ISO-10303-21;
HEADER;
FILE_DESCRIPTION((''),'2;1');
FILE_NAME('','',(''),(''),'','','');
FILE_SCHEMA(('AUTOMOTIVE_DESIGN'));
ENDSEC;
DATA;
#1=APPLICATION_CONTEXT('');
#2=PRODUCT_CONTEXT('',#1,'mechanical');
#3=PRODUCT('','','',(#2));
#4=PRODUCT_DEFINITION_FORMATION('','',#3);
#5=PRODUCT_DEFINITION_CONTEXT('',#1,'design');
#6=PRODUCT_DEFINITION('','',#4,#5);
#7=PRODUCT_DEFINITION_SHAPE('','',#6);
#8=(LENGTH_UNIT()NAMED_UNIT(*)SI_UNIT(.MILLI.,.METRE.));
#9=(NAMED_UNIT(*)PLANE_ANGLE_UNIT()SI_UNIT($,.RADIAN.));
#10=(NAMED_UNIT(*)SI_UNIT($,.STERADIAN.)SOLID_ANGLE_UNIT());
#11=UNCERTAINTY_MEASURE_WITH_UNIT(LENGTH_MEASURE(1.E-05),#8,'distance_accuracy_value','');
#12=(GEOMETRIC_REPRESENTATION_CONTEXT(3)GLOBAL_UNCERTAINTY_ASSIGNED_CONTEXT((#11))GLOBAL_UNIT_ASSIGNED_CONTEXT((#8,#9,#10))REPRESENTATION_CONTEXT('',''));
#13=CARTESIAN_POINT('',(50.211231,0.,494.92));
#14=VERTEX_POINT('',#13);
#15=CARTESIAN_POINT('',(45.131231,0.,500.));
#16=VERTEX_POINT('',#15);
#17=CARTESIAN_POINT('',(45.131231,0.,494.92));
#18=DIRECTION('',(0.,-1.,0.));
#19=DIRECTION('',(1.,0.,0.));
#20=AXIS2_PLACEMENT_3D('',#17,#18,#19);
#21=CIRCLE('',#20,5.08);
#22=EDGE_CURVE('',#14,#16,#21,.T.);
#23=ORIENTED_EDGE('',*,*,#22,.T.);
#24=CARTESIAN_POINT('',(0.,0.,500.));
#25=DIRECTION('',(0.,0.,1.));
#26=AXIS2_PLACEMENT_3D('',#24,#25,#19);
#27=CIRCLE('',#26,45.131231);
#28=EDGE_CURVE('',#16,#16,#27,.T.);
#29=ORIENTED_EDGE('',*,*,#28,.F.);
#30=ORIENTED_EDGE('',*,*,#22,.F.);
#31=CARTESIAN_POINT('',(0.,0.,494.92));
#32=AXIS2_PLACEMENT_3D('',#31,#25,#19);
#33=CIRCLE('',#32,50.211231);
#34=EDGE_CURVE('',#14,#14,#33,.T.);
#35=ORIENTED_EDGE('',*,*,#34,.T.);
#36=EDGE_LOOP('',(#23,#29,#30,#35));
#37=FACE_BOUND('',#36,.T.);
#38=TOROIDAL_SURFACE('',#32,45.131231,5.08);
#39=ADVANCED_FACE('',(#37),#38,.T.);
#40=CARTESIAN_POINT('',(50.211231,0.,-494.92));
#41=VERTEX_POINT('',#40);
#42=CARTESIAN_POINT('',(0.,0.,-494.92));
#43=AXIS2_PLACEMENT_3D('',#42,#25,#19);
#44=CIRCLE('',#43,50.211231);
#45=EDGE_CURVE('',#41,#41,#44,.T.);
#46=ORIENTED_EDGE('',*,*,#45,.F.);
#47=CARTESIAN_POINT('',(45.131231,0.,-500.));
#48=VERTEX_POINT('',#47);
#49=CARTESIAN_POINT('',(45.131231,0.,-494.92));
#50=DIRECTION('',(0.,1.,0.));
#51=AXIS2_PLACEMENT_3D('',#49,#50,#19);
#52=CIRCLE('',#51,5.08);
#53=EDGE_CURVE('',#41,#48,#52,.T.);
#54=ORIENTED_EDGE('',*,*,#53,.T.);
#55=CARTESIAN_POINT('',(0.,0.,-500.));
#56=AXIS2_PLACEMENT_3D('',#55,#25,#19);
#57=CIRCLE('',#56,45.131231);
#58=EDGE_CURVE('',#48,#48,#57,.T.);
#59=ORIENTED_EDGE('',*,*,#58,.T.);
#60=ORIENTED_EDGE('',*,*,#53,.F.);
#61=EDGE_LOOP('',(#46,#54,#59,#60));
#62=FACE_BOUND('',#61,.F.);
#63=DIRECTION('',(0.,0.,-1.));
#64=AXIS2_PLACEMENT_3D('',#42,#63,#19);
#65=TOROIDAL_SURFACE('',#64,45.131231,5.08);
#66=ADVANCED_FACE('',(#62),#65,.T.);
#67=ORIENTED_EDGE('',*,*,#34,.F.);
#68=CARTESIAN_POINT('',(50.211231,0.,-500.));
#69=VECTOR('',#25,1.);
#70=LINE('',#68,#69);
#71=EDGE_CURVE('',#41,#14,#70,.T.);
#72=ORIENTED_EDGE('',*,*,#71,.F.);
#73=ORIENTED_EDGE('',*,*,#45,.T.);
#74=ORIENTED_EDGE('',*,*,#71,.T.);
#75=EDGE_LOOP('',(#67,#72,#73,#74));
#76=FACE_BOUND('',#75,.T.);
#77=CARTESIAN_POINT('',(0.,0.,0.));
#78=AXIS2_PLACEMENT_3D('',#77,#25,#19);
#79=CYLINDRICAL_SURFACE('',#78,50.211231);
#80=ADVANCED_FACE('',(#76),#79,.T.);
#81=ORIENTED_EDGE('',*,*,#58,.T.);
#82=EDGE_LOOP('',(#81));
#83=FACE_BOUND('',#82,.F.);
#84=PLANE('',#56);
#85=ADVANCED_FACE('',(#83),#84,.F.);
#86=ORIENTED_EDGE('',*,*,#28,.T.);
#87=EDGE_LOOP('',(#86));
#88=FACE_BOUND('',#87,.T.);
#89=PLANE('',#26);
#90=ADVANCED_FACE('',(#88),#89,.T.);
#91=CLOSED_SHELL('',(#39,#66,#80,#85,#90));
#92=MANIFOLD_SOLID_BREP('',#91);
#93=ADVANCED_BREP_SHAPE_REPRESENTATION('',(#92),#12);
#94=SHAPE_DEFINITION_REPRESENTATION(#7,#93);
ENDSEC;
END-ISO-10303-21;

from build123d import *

# Parameters (mm, degrees)
F0_R     = 50.211231
F1_DEPTH = 500
F2_R     = 5.08
F3_R     = 5.08


with BuildPart() as f1:
    # F0 (on Top) → F1 (new body, symmetric)
    with BuildSketch(Plane.XY):
        Circle(F0_R)
    extrude(amount=F1_DEPTH, both=True)

    # F2
    f2_edges = [f1.edges().sort_by_distance(p)[0] for p in [
        (-50.211231, 0, -500),
    ]]
    fillet(f2_edges, radius=F2_R)

    # F3
    f3_edges = [f1.edges().sort_by_distance(p)[0] for p in [
        (-50.211231, 0, 500),
    ]]
    fillet(f3_edges, radius=F3_R)


solid = f1.part
